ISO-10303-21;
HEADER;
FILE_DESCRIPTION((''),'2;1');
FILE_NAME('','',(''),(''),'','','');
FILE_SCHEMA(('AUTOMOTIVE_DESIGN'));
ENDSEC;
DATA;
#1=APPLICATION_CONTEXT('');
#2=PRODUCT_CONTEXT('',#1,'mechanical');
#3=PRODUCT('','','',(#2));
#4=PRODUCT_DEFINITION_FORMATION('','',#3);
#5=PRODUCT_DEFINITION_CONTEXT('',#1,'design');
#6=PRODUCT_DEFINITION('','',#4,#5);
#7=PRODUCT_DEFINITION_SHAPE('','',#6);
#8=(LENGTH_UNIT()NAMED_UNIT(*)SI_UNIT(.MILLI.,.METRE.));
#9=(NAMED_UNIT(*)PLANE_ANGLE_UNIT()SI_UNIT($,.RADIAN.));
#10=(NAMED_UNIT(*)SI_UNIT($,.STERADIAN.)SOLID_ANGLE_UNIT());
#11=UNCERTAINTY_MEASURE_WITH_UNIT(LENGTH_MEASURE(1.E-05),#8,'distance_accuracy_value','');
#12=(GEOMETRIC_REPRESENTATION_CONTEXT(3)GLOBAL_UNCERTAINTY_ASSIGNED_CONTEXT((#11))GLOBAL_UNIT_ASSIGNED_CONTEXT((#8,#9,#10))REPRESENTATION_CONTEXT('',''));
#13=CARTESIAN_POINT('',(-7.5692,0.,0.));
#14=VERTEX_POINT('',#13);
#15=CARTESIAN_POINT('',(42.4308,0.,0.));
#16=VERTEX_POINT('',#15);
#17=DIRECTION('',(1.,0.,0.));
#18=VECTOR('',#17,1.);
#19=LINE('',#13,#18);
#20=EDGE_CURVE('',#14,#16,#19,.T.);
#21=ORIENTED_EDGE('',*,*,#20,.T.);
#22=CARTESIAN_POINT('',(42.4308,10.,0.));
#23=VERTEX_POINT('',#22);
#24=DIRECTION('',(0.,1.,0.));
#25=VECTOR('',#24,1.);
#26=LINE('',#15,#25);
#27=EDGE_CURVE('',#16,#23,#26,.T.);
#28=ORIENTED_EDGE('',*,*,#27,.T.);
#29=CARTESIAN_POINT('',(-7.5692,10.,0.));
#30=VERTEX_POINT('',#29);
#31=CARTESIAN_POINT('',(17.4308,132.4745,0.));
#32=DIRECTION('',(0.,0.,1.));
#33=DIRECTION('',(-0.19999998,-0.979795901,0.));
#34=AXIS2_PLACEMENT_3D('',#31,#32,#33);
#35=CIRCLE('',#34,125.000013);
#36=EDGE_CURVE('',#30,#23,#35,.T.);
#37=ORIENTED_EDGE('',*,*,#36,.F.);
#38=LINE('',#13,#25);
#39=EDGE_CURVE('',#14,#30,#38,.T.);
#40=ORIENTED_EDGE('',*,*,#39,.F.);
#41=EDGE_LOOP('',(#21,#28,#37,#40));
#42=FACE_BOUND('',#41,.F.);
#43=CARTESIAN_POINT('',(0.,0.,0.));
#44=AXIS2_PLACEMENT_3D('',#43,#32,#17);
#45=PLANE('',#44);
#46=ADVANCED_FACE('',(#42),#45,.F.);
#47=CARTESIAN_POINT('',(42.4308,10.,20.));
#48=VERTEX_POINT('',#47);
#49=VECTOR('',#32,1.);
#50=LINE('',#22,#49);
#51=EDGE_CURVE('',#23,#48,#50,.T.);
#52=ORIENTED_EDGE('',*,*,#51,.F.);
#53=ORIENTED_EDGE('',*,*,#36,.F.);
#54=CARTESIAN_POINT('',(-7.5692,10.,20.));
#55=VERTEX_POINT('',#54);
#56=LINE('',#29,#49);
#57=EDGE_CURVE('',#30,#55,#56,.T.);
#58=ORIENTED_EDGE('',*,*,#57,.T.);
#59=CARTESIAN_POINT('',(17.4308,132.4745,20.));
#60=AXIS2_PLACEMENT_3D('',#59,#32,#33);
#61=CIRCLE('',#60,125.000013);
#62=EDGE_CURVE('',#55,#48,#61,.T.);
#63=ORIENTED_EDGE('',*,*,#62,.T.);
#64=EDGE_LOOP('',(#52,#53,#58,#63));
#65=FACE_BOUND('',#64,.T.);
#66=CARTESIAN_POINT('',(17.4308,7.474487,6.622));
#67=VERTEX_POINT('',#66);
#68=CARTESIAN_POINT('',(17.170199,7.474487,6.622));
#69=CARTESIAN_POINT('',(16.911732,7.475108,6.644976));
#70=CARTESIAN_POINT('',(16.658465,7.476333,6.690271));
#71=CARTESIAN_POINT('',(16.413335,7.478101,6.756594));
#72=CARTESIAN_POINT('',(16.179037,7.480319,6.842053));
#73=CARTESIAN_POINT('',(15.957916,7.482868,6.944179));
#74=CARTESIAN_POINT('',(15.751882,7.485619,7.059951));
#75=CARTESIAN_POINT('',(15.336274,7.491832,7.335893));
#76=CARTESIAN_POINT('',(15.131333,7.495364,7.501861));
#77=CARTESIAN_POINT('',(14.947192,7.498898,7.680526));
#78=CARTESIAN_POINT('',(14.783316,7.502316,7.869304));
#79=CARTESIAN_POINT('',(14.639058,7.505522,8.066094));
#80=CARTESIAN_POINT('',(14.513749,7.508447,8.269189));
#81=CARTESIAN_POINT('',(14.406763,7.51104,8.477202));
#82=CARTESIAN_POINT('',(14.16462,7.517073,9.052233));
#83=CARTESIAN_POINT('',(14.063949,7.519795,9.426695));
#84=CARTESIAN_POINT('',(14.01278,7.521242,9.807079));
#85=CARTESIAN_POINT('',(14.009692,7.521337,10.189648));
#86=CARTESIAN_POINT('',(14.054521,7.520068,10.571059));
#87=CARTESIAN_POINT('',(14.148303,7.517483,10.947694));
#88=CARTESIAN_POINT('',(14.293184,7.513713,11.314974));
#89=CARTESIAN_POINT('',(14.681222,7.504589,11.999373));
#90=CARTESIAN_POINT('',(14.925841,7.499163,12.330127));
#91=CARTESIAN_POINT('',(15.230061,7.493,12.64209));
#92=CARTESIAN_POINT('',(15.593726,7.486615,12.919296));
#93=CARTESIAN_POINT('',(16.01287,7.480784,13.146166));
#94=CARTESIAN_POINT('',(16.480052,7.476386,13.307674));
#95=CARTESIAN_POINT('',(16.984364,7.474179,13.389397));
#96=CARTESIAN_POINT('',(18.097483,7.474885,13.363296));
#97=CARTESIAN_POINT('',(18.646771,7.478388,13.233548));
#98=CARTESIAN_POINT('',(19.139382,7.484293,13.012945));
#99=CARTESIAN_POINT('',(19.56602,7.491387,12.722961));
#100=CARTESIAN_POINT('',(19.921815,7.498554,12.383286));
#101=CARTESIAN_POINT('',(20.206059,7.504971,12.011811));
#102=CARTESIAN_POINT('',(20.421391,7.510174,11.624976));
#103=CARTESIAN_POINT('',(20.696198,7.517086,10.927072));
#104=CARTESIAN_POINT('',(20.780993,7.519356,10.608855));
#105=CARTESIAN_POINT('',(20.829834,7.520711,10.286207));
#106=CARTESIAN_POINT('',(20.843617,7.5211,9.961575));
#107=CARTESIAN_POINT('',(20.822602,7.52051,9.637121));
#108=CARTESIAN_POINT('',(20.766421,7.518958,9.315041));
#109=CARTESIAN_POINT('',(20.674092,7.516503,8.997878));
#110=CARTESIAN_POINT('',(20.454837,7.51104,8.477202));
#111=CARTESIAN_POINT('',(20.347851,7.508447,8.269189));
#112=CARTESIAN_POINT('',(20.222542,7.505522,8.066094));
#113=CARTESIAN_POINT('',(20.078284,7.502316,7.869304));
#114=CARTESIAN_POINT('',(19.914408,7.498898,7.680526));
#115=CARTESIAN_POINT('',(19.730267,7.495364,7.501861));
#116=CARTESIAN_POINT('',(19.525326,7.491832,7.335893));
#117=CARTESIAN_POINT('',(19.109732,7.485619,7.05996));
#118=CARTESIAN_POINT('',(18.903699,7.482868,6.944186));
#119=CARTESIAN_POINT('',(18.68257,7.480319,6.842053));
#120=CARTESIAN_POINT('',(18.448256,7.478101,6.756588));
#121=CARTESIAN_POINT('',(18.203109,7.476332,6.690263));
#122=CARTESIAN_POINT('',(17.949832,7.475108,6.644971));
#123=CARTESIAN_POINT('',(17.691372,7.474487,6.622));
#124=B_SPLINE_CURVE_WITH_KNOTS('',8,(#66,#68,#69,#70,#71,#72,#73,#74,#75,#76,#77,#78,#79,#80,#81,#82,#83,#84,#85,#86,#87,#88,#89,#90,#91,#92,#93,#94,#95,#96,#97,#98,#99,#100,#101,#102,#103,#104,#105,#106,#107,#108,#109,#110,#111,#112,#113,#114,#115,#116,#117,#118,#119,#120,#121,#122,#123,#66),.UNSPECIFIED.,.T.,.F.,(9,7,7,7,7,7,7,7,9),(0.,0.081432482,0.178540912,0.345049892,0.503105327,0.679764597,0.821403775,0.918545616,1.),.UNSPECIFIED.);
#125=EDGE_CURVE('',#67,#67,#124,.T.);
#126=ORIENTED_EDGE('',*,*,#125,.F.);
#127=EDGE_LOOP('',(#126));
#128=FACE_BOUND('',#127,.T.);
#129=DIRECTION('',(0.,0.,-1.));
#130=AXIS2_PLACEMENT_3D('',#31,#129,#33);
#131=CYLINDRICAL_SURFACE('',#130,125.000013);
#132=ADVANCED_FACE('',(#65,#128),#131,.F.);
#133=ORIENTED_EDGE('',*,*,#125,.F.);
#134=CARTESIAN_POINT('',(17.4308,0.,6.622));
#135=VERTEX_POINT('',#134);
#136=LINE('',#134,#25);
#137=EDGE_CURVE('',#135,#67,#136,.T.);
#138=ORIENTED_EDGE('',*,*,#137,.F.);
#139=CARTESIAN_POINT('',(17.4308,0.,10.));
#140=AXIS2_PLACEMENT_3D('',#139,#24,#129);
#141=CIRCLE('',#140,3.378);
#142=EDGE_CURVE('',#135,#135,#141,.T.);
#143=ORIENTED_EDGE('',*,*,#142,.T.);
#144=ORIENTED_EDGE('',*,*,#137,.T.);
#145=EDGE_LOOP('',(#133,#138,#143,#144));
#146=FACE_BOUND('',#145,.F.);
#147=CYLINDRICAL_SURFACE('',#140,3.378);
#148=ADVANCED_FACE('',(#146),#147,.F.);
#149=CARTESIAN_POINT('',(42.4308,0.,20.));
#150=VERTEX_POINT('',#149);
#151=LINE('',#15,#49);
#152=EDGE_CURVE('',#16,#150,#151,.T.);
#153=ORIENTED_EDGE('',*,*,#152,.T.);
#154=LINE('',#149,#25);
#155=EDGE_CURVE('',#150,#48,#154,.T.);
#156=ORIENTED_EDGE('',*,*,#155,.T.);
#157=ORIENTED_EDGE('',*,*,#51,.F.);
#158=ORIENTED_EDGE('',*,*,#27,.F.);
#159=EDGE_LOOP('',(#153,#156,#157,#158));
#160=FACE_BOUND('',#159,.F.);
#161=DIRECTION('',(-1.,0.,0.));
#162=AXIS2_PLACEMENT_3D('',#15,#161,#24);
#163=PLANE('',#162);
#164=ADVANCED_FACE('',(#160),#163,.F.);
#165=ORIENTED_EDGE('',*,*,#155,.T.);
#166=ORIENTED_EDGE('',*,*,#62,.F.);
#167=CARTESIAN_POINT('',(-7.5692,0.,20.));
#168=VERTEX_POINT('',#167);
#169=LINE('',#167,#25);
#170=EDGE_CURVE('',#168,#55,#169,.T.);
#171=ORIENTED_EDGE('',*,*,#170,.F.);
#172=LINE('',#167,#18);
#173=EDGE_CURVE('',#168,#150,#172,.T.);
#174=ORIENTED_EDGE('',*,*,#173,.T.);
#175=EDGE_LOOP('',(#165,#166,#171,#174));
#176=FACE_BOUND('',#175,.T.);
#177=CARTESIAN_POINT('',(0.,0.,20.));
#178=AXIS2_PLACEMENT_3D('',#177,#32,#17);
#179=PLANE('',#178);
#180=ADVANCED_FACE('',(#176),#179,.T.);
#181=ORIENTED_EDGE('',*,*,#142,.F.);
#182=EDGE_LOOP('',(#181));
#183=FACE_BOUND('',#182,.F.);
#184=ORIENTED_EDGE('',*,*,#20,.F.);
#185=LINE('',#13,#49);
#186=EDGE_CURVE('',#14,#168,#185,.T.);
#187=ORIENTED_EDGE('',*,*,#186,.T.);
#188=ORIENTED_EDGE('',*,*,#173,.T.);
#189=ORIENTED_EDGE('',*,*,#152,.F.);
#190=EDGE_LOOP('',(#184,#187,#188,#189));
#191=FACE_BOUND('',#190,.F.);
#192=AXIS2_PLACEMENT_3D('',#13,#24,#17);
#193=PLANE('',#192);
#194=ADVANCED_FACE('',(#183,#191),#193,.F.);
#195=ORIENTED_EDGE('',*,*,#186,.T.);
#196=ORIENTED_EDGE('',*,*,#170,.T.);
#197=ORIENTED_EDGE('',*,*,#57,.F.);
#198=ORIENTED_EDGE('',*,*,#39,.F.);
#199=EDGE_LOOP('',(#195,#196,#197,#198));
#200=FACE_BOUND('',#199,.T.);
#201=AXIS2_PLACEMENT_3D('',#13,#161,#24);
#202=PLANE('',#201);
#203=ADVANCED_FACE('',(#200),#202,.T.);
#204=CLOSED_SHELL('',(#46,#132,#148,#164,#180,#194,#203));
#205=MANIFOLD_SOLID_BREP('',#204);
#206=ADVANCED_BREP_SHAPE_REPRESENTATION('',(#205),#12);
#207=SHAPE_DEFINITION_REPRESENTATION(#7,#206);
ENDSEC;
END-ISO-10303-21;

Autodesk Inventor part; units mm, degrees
ref_plane "YZ Plane" through (0, 0, 0) normal (1, 0, 0) x (0, 1, 0)
ref_plane "XZ Plane" through (0, 0, 0) normal (0, 1, 0) x (-1, 0, 0)
ref_plane "XY Plane" through (0, 0, 0) normal (0, 0, 1) x (1, 0, 0)
sketch "Sketch1" plane through (0, 0, 0) normal (0, 0, 1) x (1, 0, 0)
  line L0 (-7.5692, 0) -> (42.4308, 0)
  line L1 (42.4308, 0) -> (42.4308, 10)
  line L2 (-7.5692, 0) -> (-7.5692, 10)
  arc A0 (-7.5692, 10) -> (42.4308, 10) centre (17.4308, 132.4745) ccw
  point P0 (0, 0)
  dimension "d1" = 50
  dimension "d2" = 10
  dimension "d3" = 10
  dimension "d4" = 250
extrude "Extrusion1" add sketch "Sketch1" along normal blind 20
sketch "Sketch2" plane through (-7.5692, 0, 0) normal (0, -1, 0) x (1, 0, 0)
  line L0 (0, 0) -> (50, 0) projected
  point P0 (7.5692, 0)
  point P1 (25, 10)
  dimension "d7" = 10
hole "Hole1" at (17.4308, 0, 10) direction (0, 1, 0) diameter 6.756 end through all clearance for "Flat Head Machine Screw (82)" size "1/4" standard "Ansi Unified Screw Threads"
properties part number "podkladka" material "ABS Plastic"
